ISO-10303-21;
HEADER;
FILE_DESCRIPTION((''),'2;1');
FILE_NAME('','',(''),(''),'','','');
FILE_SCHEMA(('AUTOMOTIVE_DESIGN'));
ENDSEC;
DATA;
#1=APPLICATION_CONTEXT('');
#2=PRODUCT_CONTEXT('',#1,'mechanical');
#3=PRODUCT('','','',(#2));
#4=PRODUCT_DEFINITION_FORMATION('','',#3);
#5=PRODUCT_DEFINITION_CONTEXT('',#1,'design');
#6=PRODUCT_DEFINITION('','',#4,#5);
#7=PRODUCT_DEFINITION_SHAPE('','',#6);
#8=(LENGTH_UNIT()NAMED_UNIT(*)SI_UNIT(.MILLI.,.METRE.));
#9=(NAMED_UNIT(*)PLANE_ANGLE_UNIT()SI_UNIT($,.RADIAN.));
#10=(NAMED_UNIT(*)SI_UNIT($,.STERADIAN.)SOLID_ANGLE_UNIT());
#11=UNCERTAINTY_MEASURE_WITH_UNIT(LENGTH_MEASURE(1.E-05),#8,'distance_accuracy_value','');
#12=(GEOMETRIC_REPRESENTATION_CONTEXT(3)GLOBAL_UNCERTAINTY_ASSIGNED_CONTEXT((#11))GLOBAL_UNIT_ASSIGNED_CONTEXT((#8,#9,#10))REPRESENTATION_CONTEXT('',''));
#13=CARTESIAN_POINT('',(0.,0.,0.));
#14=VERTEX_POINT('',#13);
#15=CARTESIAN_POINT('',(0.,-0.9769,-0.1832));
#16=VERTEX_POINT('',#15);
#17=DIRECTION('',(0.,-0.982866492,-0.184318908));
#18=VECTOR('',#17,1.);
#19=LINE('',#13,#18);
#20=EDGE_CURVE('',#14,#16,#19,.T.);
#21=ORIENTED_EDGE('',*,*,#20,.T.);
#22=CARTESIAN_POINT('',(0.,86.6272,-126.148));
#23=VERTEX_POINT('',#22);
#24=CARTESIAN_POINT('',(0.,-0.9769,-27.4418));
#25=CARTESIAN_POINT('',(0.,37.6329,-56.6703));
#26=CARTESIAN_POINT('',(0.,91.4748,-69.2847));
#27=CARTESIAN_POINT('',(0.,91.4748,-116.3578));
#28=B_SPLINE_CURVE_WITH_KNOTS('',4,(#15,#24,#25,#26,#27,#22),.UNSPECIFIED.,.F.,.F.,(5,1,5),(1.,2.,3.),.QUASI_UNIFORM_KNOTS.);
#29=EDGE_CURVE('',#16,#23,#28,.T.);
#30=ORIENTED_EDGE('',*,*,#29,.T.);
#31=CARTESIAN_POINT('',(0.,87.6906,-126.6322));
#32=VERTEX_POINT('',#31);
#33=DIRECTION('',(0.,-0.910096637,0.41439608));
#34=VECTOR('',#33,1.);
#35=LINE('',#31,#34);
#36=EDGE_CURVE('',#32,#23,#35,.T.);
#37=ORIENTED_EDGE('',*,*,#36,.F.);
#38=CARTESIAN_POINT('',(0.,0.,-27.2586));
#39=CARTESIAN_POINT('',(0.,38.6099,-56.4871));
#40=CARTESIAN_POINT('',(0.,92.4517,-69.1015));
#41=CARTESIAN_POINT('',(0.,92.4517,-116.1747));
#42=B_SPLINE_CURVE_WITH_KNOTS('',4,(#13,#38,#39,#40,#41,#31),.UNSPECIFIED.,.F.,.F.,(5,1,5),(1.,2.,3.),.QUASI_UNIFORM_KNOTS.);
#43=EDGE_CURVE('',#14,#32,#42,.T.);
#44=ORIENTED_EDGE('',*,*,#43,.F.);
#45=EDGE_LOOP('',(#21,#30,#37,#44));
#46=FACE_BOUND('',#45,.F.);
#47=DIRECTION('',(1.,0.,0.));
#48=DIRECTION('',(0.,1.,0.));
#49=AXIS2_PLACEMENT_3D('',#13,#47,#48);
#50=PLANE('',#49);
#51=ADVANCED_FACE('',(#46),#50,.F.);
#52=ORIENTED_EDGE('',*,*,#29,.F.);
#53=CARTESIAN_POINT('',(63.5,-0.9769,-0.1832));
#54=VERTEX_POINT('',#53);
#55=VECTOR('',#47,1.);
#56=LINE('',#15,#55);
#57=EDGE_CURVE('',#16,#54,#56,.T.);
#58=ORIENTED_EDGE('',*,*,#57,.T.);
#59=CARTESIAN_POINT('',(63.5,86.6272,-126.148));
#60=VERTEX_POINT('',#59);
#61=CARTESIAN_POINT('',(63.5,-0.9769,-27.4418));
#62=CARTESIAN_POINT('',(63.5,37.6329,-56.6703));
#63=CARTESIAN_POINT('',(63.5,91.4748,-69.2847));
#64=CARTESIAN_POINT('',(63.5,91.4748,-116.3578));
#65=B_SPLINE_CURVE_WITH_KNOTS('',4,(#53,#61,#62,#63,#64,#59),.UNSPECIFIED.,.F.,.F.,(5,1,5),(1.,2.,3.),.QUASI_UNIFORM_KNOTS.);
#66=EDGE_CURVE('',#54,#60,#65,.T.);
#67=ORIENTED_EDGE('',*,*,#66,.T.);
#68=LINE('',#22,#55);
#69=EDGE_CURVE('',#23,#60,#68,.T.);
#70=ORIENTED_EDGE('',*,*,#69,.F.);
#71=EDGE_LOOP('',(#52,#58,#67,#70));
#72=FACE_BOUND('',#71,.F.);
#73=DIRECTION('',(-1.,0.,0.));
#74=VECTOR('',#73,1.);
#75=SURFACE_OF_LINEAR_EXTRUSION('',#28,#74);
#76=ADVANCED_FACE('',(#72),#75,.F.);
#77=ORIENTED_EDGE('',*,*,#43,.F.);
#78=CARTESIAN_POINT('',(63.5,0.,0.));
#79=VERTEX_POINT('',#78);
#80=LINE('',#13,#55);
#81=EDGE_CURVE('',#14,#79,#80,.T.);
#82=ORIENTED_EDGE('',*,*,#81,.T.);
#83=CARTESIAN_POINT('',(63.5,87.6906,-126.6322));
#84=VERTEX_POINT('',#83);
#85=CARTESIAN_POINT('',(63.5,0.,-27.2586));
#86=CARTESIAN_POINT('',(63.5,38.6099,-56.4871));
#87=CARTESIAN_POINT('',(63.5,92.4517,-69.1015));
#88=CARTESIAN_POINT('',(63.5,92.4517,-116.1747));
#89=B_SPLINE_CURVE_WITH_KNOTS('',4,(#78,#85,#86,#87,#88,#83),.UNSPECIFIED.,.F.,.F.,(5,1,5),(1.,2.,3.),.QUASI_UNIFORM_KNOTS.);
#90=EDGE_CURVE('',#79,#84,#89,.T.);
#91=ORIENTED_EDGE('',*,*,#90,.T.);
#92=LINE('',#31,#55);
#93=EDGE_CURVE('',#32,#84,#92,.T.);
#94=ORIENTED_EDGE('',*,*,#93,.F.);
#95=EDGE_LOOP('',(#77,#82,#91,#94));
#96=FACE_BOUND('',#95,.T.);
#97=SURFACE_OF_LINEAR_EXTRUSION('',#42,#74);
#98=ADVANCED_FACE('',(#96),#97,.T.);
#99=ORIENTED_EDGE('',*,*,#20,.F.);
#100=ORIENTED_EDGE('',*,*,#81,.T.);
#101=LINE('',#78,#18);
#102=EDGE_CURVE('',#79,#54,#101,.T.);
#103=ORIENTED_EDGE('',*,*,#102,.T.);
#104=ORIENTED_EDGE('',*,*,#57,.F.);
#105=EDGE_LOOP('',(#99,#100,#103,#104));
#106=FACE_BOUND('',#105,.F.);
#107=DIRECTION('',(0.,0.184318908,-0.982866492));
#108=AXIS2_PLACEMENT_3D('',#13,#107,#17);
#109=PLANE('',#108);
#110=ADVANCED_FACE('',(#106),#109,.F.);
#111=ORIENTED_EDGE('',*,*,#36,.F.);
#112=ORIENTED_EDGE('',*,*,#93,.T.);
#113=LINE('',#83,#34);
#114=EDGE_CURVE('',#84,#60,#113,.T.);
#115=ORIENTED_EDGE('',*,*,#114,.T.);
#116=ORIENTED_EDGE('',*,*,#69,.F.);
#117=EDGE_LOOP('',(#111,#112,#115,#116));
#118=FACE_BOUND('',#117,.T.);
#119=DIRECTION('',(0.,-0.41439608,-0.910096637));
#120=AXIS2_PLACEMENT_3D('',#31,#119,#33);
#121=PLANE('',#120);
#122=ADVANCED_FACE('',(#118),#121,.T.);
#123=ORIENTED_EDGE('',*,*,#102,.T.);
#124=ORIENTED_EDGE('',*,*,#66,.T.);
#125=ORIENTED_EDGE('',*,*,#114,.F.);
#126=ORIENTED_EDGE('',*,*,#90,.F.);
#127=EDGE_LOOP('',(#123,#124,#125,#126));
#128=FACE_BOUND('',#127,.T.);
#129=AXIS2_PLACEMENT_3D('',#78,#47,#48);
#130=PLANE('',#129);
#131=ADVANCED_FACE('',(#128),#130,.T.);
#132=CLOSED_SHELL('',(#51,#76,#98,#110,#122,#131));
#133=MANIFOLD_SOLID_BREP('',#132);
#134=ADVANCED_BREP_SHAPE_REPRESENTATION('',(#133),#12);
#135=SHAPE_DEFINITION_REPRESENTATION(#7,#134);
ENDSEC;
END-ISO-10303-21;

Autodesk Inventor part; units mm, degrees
ref_plane "YZ Plane" through (0, 0, 0) normal (1, 0, 0) x (0, 1, 0)
ref_plane "XZ Plane" through (0, 0, 0) normal (0, 1, 0) x (-1, 0, 0)
ref_plane "XY Plane" through (0, 0, 0) normal (0, 0, 1) x (1, 0, 0)
sketch "Sketch1" plane through (0, 0, 0) normal (1, 0, 0) x (0, 1, 0)
  line L0 (0, 0) -> (0, -27.2586) construction
  line L1 (0, -27.2586) -> (38.6099, -56.4871) construction
  line L2 (38.6099, -56.4871) -> (92.4517, -69.1015) construction
  line L3 (92.4517, -69.1015) -> (92.4517, -116.1747) construction
  line L4 (92.4517, -116.1747) -> (87.6906, -126.6322) construction
  spline S0 degree 4 poles (0, 0) (0, -27.2586) (38.6099, -56.4871) (92.4517, -69.1015) (92.4517, -116.1747) (87.6906, -126.6322) knots 1 1 1 1 1 2 3 3 3 3 3
  line L5 (-0.9769, -0.1832) -> (-0.9769, -27.4418) construction
  line L6 (-0.9769, -27.4418) -> (37.6329, -56.6703) construction
  line L7 (37.6329, -56.6703) -> (91.4748, -69.2847) construction
  line L8 (91.4748, -69.2847) -> (91.4748, -116.3578) construction
  line L9 (91.4748, -116.3578) -> (86.6272, -126.148) construction
  spline S1 degree 4 poles (-0.9769, -0.1832) (-0.9769, -27.4418) (37.6329, -56.6703) (91.4748, -69.2847) (91.4748, -116.3578) (86.6272, -126.148) knots 1 1 1 1 1 2 3 3 3 3 3
  line L10 (87.6906, -126.6322) -> (86.6272, -126.148)
  line L11 (0, 0) -> (-0.9769, -0.1832)
  dimension "d2" = 1.1684
extrude "Extrusion1" add sketch "Sketch1" along normal blind 63.5
equation "\"BendRadius\" = Thickness"
equation "\"BendReliefWidth\" = Thickness"
equation "\"BendReliefDepth\" = 0.5 * Thickness"
equation "\"CornerReliefSize\" = 4 * Thickness"
equation "\"MinimumRemnant\" = 2 * Thickness"
equation "\"TransitionRadius\" = BendRadius"
equation "\"JacobiRadiusSize\" = Thickness"
equation "\"GapSize\" = Thickness"
equation "\"Thickness\" = 3.048"
properties part number "Bent_Plate"
